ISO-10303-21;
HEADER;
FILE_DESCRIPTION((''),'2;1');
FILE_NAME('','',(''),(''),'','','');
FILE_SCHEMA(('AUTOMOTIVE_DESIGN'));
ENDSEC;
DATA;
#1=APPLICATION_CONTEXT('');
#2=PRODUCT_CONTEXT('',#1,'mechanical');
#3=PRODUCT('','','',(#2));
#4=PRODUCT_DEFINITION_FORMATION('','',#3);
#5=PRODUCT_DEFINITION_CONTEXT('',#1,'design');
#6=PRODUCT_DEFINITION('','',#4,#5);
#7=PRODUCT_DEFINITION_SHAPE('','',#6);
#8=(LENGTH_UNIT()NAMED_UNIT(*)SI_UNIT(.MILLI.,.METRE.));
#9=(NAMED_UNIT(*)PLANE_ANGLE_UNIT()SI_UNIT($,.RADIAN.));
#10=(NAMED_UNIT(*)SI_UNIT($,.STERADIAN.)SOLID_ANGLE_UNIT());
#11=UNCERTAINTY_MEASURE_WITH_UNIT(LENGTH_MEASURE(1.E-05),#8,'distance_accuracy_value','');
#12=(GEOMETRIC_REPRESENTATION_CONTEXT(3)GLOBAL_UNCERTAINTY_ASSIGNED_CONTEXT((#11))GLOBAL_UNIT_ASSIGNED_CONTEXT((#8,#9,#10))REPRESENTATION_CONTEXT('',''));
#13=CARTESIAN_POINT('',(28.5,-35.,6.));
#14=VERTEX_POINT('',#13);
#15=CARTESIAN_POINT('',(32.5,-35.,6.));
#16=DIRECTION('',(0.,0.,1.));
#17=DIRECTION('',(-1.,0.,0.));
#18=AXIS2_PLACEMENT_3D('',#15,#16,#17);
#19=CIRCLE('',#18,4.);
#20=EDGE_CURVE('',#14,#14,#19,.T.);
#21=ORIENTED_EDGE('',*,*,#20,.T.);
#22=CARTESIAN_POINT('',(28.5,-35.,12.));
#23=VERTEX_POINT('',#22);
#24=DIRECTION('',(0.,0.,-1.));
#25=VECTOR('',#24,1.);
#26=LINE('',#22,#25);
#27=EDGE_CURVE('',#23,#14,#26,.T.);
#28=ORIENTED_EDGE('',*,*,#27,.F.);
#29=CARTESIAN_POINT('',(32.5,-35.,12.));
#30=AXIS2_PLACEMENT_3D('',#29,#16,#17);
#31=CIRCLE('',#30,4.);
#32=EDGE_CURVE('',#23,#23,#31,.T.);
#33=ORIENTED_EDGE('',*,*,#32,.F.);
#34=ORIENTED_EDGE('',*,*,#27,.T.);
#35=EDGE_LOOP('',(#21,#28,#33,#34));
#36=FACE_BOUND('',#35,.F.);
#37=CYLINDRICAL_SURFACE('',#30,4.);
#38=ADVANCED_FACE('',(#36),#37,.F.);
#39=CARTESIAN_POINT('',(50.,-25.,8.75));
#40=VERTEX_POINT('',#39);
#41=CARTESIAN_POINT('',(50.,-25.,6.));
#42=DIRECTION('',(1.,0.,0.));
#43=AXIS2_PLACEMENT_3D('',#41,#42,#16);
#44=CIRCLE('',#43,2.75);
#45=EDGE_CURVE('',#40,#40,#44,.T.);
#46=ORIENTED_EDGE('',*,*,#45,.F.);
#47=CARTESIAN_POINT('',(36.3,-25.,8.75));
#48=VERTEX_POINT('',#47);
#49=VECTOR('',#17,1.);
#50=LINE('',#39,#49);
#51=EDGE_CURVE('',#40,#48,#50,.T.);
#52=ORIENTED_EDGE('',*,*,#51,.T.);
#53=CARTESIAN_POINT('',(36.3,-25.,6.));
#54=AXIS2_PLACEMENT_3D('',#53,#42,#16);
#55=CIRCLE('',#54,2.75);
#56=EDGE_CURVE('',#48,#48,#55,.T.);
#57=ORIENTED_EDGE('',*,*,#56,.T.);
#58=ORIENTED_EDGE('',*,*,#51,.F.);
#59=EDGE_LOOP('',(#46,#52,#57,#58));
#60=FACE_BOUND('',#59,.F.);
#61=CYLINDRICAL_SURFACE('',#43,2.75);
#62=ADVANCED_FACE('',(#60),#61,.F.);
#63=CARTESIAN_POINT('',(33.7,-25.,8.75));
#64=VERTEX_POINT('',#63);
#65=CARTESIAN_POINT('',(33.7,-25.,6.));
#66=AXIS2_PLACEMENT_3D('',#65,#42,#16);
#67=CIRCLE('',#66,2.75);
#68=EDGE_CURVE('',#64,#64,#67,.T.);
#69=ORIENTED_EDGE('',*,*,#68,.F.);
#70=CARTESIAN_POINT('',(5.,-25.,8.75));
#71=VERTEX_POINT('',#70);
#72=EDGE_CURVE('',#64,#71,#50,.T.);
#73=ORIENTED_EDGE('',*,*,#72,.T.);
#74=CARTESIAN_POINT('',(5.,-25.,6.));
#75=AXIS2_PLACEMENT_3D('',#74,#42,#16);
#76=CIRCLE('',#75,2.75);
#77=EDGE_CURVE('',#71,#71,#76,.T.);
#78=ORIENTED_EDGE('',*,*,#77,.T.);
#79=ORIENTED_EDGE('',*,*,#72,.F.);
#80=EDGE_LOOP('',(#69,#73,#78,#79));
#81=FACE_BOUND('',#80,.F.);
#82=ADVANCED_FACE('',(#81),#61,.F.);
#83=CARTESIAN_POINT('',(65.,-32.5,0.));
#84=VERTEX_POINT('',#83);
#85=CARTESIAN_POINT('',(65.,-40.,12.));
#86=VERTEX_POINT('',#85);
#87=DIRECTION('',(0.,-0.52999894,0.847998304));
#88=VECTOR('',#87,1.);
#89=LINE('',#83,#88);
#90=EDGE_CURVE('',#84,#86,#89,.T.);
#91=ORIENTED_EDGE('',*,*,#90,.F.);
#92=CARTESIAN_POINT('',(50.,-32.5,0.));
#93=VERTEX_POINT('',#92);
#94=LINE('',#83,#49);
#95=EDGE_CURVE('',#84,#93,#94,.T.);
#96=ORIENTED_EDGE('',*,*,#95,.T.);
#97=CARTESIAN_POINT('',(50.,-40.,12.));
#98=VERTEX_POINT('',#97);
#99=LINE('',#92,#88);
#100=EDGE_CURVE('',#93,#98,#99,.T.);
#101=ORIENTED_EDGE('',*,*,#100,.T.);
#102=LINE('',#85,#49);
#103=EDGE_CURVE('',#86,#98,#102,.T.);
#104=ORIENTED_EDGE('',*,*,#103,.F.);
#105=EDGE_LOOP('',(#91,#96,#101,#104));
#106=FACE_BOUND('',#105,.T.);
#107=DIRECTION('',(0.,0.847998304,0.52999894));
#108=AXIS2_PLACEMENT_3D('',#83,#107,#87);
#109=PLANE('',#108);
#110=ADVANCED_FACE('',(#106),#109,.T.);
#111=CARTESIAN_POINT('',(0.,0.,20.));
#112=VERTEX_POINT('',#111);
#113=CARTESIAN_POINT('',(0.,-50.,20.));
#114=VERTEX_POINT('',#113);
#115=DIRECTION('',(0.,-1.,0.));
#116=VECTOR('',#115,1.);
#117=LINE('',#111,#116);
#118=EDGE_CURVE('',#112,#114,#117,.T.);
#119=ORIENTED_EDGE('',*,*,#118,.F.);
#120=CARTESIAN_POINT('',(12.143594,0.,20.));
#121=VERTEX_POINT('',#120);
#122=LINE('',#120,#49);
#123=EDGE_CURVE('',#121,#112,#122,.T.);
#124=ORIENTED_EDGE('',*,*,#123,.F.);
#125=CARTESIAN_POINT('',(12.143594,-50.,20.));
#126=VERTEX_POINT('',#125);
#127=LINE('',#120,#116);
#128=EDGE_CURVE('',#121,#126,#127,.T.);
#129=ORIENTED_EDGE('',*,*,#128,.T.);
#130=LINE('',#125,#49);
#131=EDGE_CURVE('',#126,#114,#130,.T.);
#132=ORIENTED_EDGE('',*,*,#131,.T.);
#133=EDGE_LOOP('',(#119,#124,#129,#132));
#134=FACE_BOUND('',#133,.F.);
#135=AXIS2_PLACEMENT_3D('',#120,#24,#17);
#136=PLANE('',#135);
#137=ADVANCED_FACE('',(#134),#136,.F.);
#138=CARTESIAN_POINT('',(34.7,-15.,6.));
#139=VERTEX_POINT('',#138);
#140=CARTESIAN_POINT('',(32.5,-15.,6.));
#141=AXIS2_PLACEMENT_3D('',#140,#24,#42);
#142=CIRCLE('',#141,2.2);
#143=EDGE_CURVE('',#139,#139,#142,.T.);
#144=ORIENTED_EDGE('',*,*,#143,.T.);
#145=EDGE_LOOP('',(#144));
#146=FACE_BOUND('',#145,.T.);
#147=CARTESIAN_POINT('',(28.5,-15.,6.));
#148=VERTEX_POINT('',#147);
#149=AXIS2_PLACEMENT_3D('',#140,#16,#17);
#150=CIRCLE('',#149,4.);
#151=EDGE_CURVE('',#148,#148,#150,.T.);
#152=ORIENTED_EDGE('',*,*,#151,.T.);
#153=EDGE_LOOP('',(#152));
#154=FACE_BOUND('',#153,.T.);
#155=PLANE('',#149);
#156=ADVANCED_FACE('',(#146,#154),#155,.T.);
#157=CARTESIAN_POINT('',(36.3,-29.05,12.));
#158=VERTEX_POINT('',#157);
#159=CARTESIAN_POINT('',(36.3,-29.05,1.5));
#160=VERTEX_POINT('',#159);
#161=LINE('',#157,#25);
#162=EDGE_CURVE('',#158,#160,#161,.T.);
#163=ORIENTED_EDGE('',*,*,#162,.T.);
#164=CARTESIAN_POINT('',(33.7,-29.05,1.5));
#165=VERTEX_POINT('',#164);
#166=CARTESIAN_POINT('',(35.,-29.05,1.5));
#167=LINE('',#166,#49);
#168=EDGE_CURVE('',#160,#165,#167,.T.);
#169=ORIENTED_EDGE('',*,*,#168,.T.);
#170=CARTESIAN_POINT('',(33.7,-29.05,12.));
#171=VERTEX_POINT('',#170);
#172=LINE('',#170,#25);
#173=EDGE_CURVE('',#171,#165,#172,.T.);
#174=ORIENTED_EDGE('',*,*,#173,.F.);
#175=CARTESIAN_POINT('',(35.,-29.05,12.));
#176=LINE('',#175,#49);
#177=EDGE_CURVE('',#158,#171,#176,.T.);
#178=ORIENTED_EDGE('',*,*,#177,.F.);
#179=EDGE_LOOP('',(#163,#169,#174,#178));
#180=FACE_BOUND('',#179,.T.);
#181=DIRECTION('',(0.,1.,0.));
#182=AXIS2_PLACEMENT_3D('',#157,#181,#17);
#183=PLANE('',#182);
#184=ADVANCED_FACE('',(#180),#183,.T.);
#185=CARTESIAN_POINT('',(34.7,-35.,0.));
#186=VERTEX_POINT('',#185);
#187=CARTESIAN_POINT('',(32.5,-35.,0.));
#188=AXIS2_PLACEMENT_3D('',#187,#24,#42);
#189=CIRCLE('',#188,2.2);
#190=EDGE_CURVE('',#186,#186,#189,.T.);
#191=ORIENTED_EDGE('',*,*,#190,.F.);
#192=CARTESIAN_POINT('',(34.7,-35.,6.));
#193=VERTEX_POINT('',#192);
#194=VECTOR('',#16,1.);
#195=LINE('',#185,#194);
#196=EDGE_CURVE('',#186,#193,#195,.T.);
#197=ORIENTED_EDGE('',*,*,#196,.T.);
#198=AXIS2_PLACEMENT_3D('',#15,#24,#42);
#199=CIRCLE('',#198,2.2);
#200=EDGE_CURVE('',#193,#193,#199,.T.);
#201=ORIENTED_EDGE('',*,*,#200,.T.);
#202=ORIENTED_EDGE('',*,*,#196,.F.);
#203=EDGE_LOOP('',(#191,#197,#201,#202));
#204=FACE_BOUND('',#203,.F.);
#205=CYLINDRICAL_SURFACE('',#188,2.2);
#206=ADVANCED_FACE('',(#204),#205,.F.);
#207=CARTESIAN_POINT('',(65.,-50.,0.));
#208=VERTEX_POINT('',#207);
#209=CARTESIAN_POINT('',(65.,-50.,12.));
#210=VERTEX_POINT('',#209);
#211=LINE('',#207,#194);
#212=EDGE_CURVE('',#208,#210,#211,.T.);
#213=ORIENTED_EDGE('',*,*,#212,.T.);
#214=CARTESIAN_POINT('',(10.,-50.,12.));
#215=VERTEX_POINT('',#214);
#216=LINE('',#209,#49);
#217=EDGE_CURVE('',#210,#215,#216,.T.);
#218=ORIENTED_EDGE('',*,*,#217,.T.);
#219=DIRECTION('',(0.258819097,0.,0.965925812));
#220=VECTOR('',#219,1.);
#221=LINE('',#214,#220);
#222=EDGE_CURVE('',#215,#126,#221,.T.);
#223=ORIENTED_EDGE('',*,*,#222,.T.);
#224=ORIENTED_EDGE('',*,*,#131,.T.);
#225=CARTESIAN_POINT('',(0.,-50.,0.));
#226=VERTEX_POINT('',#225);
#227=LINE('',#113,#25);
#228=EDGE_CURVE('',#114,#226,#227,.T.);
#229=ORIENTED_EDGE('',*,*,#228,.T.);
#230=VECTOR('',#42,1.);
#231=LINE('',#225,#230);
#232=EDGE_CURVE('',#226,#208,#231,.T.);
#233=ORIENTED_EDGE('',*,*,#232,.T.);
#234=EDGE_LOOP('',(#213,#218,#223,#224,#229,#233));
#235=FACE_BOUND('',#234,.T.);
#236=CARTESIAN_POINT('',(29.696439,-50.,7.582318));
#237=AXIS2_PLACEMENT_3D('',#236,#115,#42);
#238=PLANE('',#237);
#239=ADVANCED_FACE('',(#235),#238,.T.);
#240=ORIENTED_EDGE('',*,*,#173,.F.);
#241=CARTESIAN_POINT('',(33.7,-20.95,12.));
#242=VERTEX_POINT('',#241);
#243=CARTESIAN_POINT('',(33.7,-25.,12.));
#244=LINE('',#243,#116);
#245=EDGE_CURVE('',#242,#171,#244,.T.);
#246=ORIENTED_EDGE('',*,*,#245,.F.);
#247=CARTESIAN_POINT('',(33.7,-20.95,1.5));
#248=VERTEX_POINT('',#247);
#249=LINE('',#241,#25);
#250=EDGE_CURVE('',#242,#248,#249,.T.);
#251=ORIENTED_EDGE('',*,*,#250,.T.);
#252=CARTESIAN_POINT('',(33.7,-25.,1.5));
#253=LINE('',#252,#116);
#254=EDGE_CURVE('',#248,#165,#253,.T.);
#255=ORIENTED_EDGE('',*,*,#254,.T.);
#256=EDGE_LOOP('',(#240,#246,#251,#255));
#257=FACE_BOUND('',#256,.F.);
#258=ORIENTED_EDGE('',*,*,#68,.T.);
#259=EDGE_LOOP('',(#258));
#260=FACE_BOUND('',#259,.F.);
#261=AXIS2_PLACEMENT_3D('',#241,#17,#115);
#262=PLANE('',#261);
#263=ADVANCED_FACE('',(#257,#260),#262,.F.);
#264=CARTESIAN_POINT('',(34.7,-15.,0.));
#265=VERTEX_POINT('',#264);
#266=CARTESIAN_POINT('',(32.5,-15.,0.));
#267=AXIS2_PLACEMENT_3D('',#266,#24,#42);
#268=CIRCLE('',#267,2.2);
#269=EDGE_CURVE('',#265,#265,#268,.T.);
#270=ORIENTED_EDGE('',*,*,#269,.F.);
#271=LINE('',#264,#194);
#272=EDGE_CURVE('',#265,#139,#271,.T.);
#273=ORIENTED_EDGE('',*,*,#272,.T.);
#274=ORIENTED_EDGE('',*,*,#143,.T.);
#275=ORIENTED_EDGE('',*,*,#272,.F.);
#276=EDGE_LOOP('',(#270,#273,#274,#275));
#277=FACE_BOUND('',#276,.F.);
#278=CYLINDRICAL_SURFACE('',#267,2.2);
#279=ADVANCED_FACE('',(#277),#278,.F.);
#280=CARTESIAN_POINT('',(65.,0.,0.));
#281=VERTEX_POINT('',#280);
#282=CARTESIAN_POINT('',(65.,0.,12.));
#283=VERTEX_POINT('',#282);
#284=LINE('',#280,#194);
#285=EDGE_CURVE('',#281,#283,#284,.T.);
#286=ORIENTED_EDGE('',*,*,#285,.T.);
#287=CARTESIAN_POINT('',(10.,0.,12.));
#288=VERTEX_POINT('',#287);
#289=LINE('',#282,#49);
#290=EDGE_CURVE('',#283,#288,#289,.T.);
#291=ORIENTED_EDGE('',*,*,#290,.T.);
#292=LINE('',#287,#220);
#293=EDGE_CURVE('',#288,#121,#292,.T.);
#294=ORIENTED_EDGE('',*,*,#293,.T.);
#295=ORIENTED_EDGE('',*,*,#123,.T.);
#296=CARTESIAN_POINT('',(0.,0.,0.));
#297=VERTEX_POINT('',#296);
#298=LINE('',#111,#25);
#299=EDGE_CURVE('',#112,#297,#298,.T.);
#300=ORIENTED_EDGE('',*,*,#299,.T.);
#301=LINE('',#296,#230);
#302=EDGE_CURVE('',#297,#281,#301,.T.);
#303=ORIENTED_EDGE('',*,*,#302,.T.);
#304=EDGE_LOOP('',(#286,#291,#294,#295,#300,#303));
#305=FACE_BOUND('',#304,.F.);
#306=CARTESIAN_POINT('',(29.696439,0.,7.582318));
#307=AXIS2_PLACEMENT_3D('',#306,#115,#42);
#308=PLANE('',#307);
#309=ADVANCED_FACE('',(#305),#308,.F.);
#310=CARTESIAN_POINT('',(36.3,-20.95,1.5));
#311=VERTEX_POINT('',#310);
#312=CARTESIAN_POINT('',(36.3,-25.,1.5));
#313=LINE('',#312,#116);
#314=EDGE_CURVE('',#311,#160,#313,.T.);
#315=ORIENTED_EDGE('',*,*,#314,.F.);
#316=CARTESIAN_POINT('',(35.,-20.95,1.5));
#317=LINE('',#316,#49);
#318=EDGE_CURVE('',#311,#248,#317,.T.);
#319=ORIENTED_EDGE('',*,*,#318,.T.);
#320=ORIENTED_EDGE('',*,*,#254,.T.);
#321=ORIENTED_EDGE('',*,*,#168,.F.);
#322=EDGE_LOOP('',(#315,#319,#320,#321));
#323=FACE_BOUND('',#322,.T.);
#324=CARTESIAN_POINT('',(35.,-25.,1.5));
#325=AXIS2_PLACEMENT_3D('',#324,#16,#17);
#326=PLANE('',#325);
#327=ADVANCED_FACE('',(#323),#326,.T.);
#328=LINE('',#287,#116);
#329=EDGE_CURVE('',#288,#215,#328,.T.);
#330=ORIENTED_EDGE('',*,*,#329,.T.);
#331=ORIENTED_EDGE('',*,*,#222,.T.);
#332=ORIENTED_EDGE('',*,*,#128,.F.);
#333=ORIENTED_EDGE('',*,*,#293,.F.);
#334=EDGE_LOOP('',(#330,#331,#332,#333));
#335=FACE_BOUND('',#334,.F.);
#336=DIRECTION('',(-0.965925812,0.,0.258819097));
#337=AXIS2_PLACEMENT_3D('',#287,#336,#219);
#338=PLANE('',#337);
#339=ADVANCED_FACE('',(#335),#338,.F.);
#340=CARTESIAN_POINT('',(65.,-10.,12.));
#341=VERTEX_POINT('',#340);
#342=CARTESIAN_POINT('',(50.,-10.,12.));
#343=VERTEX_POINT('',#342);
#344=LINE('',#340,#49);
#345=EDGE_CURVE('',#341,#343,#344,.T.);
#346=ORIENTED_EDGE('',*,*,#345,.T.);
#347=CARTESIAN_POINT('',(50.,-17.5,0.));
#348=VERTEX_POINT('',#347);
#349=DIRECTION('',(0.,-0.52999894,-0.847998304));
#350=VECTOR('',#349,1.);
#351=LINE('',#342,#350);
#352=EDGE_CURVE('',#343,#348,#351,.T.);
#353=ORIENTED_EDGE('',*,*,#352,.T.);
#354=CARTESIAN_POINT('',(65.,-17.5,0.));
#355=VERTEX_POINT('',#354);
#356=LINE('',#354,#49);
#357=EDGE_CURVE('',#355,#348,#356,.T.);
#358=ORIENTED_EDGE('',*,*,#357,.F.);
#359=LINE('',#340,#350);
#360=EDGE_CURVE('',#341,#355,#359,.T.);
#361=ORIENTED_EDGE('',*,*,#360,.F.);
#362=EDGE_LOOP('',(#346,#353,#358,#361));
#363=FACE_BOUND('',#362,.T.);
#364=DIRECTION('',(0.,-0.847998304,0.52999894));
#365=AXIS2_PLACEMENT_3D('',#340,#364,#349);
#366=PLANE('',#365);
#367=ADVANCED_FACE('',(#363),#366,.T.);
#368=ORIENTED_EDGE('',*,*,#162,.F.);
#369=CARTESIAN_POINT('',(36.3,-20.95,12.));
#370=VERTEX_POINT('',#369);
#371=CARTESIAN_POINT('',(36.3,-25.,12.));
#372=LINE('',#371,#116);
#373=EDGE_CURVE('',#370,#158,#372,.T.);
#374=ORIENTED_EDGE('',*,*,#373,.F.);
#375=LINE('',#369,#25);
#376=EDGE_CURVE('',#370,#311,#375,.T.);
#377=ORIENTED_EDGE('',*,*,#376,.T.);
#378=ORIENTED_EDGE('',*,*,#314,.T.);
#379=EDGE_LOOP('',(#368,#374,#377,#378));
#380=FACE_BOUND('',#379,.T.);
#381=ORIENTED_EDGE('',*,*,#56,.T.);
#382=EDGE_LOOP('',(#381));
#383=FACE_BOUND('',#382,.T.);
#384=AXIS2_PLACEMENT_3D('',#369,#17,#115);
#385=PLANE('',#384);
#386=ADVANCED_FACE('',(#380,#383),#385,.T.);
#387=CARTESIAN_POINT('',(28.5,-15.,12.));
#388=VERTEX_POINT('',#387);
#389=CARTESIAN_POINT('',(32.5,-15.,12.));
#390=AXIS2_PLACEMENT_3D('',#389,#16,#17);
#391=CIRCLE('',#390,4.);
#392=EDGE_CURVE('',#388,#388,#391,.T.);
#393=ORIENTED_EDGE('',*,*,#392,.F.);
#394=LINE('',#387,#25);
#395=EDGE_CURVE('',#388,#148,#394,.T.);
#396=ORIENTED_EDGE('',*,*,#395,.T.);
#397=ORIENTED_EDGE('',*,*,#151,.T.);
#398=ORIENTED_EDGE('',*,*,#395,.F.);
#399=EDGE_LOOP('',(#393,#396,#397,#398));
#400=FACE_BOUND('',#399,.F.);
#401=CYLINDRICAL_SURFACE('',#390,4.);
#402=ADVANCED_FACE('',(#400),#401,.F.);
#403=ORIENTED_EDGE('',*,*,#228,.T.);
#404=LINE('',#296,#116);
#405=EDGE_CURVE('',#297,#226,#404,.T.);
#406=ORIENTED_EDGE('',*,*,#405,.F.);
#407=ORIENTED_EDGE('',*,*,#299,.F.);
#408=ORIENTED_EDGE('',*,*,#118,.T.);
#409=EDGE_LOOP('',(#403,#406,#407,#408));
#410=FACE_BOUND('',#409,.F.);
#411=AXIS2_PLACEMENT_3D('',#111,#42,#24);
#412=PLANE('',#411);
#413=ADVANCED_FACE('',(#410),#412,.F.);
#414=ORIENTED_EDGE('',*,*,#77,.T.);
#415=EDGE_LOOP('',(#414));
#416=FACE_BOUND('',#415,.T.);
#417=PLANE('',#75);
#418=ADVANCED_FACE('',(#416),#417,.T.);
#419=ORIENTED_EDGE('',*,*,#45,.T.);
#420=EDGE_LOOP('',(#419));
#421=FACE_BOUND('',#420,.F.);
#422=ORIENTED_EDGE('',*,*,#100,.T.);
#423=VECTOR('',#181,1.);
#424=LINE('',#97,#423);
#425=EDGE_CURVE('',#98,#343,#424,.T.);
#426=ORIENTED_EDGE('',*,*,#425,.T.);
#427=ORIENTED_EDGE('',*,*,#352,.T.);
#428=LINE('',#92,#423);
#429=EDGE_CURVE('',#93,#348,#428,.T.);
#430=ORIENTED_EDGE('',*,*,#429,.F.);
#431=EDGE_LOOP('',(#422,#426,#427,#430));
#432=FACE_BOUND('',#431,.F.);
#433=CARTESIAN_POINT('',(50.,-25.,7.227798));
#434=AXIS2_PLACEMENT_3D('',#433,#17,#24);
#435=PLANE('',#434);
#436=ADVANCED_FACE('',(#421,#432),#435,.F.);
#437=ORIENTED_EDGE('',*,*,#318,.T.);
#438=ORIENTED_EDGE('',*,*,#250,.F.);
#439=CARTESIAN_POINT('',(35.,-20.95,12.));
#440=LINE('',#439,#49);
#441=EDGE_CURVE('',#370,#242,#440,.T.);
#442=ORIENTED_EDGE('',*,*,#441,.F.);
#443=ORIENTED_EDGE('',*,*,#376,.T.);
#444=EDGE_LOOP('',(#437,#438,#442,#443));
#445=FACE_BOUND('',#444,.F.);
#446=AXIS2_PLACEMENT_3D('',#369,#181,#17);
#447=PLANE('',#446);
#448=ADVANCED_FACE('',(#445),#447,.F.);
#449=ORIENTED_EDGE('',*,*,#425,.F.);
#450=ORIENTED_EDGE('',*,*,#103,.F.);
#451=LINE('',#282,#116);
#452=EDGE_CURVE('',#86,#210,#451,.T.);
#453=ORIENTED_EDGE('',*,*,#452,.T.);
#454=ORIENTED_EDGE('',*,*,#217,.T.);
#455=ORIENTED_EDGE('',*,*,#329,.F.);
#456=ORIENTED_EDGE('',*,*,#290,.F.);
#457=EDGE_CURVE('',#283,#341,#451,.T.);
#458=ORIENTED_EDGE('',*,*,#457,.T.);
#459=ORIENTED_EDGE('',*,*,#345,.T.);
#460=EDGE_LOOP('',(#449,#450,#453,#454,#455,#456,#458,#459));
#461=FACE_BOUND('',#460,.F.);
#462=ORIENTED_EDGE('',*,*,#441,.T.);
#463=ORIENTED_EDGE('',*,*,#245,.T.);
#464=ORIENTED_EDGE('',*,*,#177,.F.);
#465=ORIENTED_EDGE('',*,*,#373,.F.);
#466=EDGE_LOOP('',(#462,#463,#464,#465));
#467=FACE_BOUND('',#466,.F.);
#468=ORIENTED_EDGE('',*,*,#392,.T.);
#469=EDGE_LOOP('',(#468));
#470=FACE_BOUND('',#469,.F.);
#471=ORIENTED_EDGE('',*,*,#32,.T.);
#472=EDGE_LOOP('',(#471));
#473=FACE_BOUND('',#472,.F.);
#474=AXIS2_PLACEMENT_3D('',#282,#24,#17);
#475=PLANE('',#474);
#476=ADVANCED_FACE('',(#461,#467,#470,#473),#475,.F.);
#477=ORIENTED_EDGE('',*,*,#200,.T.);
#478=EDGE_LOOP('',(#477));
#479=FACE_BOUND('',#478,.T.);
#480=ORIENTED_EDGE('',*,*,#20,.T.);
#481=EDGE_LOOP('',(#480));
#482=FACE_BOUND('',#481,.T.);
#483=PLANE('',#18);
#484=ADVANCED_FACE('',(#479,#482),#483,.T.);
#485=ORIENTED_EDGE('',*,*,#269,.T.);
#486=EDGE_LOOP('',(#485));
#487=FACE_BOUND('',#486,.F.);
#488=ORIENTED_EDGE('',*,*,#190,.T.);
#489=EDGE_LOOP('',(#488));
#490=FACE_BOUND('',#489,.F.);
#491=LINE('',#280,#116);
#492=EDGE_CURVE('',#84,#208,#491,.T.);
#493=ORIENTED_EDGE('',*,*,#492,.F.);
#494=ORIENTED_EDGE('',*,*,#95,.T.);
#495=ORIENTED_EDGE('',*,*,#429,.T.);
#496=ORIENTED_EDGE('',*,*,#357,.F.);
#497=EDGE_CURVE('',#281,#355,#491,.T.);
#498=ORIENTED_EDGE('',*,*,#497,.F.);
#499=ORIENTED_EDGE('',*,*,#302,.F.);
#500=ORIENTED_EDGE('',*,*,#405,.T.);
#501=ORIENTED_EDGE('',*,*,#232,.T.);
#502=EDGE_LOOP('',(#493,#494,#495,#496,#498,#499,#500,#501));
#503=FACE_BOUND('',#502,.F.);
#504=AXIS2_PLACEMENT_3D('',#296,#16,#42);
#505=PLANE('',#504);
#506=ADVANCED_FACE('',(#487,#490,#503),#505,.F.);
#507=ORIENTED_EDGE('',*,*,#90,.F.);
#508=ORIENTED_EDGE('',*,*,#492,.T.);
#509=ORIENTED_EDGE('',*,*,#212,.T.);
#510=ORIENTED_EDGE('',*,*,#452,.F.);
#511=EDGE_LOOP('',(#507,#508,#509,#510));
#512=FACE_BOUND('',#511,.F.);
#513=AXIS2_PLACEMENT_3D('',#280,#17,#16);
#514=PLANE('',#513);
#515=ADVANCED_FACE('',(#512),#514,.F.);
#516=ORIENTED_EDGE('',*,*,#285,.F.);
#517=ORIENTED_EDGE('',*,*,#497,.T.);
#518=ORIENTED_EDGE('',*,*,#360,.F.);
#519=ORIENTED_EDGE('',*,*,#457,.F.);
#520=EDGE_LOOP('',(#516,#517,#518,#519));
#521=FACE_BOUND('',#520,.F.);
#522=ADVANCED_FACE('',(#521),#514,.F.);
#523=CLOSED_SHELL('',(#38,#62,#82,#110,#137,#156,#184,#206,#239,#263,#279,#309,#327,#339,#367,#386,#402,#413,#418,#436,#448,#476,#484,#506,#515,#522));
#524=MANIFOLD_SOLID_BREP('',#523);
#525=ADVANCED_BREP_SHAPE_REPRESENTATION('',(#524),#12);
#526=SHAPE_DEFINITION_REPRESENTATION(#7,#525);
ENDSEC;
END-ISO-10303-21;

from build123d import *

# Parameters (mm, degrees)
PAD_DEPTH       = 50
POCKET_DEPTH    = 15
SKETCH003_R     = 2.2
POCKET002_DEPTH = 20.001
SKETCH004_W     = 2.6
SKETCH004_H     = 8.1
POCKET003_DEPTH = 10.5
SKETCH005_R     = 4
POCKET004_DEPTH = 6
SKETCH002_R     = 2.75
POCKET005_DEPTH = 45


with BuildPart() as part:
    # Sketch → Pad (new body)
    with BuildSketch(Plane.XZ):
        Polygon((0, 0), (65, 0), (65, 12), (10, 12), (12.143594, 20), (0, 20), align=None)
    extrude(amount=PAD_DEPTH)

    # Sketch001 (on Face2 of Pad) → Pocket (cut)
    with BuildSketch(Plane(origin=(65, 0, 0), x_dir=(0, 0, 1), z_dir=(1, 0, 0))):
        Polygon((0, 32.5), (12, 40), (12, 10), (0, 17.5), (0, 25), align=None)
    extrude(amount=-POCKET_DEPTH, mode=Mode.SUBTRACT)

    # Sketch003 → Pocket002 (cut, through all)
    with BuildSketch(Plane(origin=(0, 0, 0), x_dir=(1, 0, 0), z_dir=(0, 0, -1))):
        with Locations((32.5, 35)):
            Circle(SKETCH003_R)
        with Locations((32.5, 15)):
            Circle(SKETCH003_R)
    extrude(amount=-POCKET002_DEPTH, mode=Mode.SUBTRACT)

    # Sketch004 (on Face12 of Pocket002) → Pocket003 (cut)
    with BuildSketch(Plane(origin=(0, 0, 12), x_dir=(-1, 0, 0), z_dir=(0, 0, 1))):
        with Locations((-35, 25)):
            Rectangle(SKETCH004_W, SKETCH004_H)
    extrude(amount=-POCKET003_DEPTH, mode=Mode.SUBTRACT)

    # Sketch005 (on Face12 of Pocket003) → Pocket004 (cut)
    with BuildSketch(Plane(origin=(0, 0, 12), x_dir=(-1, 0, 0), z_dir=(0, 0, 1))):
        with Locations((-32.5, 35)):
            Circle(SKETCH005_R)
        with Locations((-32.5, 15)):
            Circle(SKETCH005_R)
    extrude(amount=-POCKET004_DEPTH, mode=Mode.SUBTRACT)

    # Sketch002 (on Face5 of Pocket) → Pocket005 (cut)
    with BuildSketch(Plane(origin=(50, 0, 0), x_dir=(0, 0, 1), z_dir=(1, 0, 0))):
        with Locations((6, 25)):
            Circle(SKETCH002_R)
    extrude(amount=-POCKET005_DEPTH, mode=Mode.SUBTRACT)


solid = part.part
